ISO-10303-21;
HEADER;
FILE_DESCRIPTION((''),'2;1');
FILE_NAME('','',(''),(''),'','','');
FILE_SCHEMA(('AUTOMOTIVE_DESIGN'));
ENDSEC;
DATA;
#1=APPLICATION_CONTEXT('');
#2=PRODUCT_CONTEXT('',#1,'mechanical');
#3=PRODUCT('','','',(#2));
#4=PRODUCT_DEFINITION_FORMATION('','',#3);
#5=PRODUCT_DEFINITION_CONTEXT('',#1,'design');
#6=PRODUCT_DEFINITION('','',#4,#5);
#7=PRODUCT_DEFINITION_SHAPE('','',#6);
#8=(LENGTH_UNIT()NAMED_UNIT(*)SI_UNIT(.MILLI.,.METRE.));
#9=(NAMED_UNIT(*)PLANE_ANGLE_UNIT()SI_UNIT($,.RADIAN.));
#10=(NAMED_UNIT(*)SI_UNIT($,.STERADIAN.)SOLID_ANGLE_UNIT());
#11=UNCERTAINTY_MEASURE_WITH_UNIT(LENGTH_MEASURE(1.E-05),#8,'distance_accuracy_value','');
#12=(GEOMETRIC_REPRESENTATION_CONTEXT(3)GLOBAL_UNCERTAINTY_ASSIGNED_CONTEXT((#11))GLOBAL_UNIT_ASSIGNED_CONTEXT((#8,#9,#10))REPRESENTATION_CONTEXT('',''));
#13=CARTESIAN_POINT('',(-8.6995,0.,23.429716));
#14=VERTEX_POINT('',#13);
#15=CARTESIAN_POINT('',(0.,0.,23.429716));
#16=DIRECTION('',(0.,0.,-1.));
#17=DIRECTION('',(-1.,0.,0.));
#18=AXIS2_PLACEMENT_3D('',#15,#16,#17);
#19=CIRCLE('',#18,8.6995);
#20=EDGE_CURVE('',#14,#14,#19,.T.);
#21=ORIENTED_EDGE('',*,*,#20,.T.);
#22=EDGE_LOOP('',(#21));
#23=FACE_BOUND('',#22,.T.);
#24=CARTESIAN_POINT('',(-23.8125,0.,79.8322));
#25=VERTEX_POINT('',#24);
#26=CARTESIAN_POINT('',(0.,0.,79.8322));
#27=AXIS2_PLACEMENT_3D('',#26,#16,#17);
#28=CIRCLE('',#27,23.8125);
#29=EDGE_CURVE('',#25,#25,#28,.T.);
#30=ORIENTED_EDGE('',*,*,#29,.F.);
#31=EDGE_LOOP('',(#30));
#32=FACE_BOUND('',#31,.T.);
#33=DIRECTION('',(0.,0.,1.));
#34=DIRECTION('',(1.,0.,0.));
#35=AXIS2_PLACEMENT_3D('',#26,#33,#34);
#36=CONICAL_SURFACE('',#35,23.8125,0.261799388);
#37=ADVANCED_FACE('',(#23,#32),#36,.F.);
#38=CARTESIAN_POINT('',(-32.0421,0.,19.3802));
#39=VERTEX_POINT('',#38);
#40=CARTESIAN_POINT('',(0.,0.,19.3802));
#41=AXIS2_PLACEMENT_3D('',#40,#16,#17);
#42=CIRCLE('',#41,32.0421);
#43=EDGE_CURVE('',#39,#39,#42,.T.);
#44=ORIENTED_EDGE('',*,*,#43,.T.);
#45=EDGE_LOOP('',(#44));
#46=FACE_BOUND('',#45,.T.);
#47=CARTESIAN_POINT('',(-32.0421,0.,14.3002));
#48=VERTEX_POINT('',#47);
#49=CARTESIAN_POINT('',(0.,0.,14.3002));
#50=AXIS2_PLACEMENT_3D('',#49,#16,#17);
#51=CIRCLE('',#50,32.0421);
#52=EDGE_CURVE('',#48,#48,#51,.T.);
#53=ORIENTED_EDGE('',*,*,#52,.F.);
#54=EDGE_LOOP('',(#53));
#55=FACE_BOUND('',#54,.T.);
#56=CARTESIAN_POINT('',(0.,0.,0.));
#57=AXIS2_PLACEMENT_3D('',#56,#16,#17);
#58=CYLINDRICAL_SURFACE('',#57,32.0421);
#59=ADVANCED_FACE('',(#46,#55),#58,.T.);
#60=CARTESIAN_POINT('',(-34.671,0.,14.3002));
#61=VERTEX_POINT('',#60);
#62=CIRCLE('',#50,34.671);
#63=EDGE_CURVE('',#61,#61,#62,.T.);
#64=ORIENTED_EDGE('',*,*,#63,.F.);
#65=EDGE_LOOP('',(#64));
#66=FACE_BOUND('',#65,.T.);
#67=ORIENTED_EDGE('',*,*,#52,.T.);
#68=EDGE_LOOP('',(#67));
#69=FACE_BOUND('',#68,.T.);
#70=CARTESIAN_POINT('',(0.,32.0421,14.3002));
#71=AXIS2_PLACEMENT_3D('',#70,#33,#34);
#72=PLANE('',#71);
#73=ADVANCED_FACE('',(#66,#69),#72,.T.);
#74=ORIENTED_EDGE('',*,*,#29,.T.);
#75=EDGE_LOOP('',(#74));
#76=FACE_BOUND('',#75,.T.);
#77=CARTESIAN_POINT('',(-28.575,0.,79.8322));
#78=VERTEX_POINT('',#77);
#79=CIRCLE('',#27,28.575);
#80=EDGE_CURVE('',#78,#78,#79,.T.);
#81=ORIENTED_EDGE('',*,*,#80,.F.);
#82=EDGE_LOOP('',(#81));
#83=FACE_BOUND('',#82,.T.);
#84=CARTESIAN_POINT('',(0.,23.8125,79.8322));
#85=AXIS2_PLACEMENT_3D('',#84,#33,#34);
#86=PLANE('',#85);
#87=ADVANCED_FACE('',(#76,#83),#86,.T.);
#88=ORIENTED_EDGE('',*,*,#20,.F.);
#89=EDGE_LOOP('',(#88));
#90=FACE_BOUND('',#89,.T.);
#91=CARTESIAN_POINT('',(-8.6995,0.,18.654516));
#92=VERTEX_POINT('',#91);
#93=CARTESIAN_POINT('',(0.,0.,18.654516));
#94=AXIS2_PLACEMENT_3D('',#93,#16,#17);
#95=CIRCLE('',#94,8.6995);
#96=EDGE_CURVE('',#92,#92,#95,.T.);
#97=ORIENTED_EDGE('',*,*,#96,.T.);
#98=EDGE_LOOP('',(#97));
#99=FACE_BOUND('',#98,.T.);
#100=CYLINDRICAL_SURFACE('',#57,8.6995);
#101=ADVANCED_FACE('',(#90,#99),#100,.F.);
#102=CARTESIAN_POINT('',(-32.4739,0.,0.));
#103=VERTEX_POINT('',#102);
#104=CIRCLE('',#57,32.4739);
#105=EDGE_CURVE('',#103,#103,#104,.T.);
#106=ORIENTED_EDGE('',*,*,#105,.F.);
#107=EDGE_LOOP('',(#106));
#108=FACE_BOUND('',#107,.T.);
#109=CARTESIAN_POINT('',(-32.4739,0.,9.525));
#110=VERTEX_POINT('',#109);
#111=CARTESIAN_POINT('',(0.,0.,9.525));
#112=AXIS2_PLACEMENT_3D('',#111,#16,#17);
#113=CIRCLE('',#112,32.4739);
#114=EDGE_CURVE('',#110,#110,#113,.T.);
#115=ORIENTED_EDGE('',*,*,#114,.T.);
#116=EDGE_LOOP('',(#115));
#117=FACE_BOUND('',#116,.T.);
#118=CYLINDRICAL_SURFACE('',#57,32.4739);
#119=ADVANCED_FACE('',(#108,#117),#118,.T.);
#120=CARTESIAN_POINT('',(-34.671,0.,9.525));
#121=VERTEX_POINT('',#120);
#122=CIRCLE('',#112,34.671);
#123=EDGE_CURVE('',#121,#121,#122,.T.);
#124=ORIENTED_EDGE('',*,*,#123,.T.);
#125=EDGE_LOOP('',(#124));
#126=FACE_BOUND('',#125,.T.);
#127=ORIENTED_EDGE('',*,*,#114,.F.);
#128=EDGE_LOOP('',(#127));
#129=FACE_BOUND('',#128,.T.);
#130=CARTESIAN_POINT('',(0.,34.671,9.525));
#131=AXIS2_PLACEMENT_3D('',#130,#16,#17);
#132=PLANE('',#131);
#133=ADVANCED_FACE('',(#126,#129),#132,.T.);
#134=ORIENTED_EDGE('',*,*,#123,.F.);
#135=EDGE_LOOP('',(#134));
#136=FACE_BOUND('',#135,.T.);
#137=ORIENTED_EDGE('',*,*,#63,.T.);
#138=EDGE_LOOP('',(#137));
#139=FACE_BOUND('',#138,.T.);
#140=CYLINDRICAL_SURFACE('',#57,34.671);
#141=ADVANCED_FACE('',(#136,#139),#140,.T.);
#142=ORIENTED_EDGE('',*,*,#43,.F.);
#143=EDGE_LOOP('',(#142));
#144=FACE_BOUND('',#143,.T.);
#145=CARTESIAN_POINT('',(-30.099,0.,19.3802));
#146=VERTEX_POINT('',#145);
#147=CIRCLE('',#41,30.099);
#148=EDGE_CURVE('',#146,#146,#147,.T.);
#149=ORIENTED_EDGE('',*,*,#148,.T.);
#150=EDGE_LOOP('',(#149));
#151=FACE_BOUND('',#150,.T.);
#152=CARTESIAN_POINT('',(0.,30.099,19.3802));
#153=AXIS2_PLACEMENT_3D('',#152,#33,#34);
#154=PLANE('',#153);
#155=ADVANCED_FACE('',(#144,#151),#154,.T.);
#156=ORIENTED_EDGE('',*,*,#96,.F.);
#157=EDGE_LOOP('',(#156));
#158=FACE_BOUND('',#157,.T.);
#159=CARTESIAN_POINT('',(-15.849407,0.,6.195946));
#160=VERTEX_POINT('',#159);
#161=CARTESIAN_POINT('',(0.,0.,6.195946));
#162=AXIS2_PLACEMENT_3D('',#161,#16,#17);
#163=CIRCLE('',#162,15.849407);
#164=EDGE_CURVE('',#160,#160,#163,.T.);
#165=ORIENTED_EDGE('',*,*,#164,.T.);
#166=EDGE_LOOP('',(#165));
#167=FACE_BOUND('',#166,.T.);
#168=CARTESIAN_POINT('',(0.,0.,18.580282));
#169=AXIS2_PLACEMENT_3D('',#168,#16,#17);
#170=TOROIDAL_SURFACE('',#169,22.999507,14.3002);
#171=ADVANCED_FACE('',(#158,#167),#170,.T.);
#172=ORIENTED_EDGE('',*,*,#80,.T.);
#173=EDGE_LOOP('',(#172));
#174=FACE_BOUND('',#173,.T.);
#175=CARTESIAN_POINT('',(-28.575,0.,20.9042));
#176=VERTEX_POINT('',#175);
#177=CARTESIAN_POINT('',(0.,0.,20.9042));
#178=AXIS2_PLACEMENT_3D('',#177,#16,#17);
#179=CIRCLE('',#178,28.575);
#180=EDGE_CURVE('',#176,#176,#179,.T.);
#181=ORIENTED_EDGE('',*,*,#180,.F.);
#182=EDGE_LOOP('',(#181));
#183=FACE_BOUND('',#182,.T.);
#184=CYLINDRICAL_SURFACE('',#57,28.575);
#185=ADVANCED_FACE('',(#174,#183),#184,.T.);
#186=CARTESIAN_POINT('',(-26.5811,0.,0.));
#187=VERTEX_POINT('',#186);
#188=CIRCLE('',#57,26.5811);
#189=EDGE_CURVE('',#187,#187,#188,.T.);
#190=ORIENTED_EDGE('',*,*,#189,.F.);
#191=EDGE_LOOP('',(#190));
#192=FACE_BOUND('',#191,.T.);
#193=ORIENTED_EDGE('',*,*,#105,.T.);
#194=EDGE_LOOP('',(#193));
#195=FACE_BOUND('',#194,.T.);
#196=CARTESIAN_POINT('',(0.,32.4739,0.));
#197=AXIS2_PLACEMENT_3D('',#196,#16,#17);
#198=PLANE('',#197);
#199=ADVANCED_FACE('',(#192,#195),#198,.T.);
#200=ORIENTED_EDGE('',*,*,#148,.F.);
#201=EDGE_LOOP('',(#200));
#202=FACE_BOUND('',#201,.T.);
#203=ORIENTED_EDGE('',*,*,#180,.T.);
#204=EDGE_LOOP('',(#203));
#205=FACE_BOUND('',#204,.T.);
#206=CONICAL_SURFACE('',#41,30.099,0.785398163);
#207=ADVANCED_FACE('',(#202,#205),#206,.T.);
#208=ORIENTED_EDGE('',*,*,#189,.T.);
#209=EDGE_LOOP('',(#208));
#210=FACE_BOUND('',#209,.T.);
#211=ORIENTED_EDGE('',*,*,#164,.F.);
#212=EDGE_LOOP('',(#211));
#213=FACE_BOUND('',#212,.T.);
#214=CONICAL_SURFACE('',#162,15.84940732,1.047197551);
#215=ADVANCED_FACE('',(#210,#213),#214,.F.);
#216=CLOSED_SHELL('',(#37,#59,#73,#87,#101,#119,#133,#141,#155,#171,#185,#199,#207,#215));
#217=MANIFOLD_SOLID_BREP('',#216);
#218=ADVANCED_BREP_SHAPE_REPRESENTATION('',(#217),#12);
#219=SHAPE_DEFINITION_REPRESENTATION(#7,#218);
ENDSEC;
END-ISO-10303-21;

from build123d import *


with BuildPart() as part:
    # Sketch1 → Revolve1 (revolve)
    with BuildSketch(Plane(origin=(0, 0, 0), x_dir=(0, 0, -1), z_dir=(1, 0, 0))):
        with BuildLine():
            Line((-79.8322, 28.575), (-20.9042, 28.575))
            Line((-20.9042, 28.575), (-19.3802, 30.099))
            Line((-19.3802, 30.099), (-19.3802, 32.0421))
            Line((-19.3802, 32.0421), (-14.3002, 32.0421))
            Line((-14.3002, 32.0421), (-14.3002, 34.671))
            Line((-14.3002, 34.671), (-9.525, 34.671))
            Line((-9.525, 34.671), (-9.525, 32.4739))
            Line((-9.525, 32.4739), (0, 32.4739))
            Line((0, 32.4739), (0, 26.5811))
            Line((0, 26.5811), (-6.195945658, 15.84940732))
            ThreePointArc((-6.195945658, 15.84940732), (-11.462350599, 10.596653993), (-18.654516145, 8.6995))
            Line((-18.654516145, 8.6995), (-23.429716145, 8.6995))
            Line((-23.429716145, 8.6995), (-79.8322, 23.8125))
            Line((-79.8322, 23.8125), (-79.8322, 28.575))
        make_face()
    revolve(axis=Axis((0, 0, 0), (0, 0, 1)))


solid = part.part
